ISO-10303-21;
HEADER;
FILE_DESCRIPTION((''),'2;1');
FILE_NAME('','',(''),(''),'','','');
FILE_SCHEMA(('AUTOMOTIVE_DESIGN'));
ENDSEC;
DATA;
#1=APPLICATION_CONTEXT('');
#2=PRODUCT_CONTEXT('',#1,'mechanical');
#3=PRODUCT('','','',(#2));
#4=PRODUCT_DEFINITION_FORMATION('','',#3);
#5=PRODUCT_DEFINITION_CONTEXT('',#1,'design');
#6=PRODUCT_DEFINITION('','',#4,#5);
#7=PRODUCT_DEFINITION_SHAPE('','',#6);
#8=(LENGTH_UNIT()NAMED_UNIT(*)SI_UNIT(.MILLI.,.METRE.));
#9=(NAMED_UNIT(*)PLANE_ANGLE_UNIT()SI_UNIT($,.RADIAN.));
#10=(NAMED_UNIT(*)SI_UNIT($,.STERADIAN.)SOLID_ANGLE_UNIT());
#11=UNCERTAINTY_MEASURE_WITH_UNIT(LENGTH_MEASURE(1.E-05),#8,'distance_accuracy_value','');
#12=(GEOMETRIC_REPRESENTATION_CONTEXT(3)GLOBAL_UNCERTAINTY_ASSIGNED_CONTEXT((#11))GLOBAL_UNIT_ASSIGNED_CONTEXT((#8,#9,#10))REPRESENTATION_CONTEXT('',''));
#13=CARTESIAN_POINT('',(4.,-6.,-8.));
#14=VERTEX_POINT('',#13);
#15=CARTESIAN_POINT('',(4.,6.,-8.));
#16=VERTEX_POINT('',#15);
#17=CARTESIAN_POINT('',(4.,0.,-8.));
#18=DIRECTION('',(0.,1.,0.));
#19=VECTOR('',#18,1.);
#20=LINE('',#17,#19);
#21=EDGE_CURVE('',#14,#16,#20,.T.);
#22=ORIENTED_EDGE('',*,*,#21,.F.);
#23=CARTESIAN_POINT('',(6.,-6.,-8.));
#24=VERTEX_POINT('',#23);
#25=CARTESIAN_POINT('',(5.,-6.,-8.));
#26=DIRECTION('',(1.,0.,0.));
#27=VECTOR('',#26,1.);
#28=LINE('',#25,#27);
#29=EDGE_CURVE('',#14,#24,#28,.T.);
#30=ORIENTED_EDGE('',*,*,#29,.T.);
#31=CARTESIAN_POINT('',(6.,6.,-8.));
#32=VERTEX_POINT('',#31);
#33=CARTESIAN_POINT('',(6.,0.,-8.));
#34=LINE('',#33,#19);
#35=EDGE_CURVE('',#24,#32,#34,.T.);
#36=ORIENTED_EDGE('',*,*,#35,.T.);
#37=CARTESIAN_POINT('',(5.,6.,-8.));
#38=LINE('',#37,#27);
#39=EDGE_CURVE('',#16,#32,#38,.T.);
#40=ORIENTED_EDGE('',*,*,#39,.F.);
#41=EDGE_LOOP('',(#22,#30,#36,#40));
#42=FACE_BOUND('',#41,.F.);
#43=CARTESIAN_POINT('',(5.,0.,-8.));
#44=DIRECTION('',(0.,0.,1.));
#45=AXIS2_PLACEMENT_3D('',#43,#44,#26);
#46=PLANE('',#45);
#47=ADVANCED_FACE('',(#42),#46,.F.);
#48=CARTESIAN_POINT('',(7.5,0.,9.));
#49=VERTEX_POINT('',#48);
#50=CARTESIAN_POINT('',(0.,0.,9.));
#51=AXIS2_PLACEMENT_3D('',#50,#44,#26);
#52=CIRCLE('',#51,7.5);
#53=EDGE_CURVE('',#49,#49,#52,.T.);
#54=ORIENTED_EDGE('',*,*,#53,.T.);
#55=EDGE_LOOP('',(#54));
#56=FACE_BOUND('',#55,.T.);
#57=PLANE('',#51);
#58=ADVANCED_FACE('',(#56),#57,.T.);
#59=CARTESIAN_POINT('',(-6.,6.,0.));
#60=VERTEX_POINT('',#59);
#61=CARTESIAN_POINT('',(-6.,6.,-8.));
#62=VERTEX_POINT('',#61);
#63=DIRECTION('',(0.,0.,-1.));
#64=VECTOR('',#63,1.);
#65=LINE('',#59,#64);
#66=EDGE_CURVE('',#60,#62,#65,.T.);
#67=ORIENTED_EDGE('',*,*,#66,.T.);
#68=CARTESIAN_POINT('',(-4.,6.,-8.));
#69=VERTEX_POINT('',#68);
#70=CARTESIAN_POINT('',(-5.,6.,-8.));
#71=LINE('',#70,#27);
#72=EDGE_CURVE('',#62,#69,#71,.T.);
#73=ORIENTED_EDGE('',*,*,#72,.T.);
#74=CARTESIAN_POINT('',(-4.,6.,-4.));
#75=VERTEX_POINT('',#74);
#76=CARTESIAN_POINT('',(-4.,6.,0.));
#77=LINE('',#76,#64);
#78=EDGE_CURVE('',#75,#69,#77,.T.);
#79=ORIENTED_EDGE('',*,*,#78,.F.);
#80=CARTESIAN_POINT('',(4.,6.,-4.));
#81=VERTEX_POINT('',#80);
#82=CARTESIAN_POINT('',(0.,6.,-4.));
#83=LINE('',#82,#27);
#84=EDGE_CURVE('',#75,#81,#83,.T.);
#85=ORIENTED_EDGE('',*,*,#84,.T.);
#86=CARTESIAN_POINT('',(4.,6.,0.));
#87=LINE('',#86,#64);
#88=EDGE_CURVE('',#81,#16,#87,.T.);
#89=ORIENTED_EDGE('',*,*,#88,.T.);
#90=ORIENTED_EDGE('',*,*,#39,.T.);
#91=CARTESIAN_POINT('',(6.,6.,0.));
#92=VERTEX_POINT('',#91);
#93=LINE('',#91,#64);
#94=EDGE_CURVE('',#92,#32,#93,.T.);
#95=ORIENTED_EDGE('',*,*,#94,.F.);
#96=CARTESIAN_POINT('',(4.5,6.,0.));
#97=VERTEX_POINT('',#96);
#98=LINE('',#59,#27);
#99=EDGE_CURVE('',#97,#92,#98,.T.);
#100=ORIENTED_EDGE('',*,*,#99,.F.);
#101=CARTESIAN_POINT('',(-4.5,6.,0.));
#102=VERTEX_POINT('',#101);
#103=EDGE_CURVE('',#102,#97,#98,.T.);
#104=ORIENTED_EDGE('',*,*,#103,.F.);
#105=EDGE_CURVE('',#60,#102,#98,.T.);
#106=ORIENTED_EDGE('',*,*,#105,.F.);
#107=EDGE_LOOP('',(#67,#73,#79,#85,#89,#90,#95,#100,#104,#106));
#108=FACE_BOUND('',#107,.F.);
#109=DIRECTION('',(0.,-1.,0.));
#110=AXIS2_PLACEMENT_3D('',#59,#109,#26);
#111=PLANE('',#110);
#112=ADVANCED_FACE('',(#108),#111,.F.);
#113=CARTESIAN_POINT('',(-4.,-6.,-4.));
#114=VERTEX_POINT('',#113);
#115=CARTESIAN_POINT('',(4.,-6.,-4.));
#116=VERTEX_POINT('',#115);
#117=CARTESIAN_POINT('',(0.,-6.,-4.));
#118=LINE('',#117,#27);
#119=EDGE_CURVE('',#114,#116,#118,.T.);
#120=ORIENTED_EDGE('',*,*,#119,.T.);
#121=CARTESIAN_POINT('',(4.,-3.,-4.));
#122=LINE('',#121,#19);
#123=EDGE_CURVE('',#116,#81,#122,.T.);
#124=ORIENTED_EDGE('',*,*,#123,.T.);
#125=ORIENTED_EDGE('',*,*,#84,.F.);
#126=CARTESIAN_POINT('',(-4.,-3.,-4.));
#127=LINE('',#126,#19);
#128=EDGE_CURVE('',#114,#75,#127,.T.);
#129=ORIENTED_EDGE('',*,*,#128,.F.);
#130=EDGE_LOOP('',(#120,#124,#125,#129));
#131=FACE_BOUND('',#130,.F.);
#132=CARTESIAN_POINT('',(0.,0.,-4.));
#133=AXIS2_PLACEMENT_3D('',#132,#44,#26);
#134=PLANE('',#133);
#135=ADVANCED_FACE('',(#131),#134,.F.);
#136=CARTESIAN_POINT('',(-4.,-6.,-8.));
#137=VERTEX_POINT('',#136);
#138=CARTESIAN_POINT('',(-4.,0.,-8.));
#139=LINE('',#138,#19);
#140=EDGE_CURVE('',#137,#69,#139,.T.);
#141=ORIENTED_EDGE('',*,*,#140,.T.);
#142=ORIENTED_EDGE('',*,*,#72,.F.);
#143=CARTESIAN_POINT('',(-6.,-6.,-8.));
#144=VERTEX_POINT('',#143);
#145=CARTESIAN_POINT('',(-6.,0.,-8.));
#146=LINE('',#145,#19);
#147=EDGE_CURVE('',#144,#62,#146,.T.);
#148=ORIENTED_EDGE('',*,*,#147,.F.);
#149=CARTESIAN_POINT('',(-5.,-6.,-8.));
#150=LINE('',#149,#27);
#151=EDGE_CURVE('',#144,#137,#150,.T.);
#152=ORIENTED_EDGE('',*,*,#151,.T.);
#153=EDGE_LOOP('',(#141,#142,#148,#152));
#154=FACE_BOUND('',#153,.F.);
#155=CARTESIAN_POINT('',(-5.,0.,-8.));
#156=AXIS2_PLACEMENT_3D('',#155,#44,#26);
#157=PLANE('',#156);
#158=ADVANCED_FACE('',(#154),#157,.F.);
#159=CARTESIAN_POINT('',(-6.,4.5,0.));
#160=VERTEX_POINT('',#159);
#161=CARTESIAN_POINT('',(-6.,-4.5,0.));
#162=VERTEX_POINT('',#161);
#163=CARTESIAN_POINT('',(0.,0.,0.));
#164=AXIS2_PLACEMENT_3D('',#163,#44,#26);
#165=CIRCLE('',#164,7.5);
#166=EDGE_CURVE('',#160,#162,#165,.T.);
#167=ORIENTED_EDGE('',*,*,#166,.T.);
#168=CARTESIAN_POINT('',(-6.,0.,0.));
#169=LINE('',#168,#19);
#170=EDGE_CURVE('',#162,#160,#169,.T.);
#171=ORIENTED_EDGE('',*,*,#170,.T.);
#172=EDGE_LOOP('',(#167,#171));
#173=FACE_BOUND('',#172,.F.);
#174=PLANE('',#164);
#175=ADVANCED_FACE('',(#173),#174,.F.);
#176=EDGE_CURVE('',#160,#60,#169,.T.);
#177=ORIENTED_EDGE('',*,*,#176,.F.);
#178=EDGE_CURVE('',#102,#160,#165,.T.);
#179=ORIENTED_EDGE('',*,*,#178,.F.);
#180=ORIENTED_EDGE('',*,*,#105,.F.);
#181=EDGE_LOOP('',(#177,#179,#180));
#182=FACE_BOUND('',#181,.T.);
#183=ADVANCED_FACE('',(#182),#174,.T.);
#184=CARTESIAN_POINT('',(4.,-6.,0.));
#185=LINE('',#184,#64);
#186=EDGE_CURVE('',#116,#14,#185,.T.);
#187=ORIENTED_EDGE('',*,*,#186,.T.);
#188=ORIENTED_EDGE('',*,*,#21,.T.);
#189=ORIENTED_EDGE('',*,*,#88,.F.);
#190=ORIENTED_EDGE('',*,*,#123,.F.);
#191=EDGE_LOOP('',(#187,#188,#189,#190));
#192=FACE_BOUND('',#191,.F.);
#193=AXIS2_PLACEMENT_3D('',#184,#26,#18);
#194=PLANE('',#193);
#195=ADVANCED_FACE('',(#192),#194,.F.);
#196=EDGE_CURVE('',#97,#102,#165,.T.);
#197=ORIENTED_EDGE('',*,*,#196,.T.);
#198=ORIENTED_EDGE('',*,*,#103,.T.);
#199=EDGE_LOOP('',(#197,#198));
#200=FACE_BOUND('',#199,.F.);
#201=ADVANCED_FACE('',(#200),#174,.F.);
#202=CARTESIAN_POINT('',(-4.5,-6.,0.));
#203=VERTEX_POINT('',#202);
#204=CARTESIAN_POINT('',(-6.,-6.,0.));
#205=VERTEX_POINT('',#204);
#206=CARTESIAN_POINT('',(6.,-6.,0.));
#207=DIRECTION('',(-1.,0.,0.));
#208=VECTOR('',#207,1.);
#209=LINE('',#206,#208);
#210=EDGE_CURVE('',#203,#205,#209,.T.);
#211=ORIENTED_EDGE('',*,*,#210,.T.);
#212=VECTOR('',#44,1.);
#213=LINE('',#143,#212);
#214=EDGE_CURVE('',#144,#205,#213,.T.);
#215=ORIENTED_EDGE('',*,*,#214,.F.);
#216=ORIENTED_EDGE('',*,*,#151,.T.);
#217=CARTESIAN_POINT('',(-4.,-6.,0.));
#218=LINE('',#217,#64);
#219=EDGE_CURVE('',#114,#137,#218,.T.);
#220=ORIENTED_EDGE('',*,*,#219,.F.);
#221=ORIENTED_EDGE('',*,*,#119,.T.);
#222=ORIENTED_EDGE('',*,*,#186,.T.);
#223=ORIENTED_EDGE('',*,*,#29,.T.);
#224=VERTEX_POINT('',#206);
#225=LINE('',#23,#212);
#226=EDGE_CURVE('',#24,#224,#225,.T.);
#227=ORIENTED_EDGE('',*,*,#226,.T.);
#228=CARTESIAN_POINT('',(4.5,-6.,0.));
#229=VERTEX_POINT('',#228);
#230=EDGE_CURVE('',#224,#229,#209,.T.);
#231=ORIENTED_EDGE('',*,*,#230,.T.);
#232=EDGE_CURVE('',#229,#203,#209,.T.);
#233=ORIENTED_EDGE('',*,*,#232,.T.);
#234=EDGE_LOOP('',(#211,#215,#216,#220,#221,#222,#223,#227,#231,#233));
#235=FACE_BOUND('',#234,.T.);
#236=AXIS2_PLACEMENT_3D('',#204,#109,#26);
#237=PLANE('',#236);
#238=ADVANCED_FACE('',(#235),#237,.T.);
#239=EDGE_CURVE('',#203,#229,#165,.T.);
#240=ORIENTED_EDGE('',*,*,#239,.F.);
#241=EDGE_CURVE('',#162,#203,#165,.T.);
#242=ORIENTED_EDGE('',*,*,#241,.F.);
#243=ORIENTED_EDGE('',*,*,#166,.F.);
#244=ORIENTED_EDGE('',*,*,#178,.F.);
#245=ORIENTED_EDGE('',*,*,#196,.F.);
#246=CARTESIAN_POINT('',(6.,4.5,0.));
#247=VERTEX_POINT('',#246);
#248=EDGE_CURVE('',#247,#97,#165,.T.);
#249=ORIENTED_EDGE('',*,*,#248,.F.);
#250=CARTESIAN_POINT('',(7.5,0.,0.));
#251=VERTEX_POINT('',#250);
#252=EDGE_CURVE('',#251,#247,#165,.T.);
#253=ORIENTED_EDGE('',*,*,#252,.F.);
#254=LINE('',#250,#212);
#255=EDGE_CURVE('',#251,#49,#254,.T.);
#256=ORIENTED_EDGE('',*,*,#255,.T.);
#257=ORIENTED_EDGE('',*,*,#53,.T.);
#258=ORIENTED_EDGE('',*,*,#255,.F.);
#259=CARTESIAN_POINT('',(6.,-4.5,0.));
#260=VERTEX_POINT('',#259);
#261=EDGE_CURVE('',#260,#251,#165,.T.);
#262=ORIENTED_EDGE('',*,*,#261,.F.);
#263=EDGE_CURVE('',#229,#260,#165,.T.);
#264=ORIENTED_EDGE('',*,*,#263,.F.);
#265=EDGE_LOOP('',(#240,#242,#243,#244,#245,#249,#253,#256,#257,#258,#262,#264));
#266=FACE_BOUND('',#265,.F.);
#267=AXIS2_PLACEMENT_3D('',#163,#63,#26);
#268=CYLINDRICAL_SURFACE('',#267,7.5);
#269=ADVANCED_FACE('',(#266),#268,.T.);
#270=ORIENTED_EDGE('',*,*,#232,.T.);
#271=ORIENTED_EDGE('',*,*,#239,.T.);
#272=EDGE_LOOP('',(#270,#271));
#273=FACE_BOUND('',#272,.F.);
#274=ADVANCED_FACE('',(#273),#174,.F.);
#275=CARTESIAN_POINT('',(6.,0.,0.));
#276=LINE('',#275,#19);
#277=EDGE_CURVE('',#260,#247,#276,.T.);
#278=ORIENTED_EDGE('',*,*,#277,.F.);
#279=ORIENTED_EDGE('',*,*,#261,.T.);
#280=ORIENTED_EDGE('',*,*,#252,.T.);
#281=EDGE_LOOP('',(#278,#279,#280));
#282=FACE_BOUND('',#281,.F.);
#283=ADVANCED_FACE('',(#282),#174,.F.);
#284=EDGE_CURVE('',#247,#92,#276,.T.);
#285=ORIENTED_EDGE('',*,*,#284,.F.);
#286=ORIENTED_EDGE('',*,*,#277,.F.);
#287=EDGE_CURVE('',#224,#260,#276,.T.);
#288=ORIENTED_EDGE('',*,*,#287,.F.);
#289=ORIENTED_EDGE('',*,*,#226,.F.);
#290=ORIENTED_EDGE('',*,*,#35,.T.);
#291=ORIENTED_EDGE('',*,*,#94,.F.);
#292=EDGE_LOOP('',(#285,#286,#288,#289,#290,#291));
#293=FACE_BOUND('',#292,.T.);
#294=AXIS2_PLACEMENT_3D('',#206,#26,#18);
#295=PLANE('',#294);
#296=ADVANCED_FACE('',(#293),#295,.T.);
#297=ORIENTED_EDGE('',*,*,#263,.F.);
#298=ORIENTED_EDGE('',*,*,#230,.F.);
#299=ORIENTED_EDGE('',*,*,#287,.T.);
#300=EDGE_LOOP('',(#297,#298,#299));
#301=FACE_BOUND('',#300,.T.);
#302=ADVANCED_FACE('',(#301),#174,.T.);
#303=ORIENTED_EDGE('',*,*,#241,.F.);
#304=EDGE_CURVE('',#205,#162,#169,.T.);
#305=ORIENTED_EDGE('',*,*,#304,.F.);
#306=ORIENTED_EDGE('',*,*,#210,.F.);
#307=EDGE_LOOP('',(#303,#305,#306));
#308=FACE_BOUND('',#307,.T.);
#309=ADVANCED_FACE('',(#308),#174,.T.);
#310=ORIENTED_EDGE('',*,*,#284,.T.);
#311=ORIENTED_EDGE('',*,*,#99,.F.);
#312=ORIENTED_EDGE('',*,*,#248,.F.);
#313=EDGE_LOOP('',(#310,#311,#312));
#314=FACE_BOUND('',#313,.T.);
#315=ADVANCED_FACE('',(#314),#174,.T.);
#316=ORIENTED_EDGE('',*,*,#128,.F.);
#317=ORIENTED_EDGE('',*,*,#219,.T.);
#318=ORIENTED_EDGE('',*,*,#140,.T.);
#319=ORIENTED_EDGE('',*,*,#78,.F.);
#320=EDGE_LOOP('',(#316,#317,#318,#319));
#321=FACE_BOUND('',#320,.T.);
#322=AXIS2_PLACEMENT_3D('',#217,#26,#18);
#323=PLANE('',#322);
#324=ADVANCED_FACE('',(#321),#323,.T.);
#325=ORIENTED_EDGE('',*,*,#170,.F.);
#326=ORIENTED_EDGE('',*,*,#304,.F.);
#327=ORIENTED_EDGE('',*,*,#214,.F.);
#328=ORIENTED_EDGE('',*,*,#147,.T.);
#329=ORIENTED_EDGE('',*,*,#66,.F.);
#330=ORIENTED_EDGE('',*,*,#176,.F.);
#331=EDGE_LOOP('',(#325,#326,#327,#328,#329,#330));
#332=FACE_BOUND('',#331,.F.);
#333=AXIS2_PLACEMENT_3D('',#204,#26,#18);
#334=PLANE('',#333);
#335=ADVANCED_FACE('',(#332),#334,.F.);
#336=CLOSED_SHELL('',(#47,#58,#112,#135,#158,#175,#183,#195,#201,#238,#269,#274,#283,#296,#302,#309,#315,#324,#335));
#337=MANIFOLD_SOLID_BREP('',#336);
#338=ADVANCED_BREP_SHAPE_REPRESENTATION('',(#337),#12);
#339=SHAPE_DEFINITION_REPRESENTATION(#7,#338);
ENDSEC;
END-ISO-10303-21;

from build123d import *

# Parameters (mm, degrees)
F0_W     = 12
F0_H     = 12
F1_DEPTH = 4
F2_W     = 2
F2_H     = 12
F3_DEPTH = 8
F4_R     = 7.5
F5_DEPTH = 9


with BuildPart() as f1:
    # F0 (on Top) → F1 (new body)
    with BuildSketch(Plane.XY):
        Rectangle(F0_W, F0_H)
    extrude(amount=-F1_DEPTH)

    # F2 (on Top) → F3 (join)
    with BuildSketch(Plane.XY):
        with Locations((-5, 0)):
            Rectangle(F2_W, F2_H)
        with Locations((5, 0)):
            Rectangle(F2_W, F2_H)
    extrude(amount=-F3_DEPTH)

    # F4 (on Top) → F5 (join)
    with BuildSketch(Plane.XY):
        Circle(F4_R)
    extrude(amount=F5_DEPTH)


solid = f1.part
